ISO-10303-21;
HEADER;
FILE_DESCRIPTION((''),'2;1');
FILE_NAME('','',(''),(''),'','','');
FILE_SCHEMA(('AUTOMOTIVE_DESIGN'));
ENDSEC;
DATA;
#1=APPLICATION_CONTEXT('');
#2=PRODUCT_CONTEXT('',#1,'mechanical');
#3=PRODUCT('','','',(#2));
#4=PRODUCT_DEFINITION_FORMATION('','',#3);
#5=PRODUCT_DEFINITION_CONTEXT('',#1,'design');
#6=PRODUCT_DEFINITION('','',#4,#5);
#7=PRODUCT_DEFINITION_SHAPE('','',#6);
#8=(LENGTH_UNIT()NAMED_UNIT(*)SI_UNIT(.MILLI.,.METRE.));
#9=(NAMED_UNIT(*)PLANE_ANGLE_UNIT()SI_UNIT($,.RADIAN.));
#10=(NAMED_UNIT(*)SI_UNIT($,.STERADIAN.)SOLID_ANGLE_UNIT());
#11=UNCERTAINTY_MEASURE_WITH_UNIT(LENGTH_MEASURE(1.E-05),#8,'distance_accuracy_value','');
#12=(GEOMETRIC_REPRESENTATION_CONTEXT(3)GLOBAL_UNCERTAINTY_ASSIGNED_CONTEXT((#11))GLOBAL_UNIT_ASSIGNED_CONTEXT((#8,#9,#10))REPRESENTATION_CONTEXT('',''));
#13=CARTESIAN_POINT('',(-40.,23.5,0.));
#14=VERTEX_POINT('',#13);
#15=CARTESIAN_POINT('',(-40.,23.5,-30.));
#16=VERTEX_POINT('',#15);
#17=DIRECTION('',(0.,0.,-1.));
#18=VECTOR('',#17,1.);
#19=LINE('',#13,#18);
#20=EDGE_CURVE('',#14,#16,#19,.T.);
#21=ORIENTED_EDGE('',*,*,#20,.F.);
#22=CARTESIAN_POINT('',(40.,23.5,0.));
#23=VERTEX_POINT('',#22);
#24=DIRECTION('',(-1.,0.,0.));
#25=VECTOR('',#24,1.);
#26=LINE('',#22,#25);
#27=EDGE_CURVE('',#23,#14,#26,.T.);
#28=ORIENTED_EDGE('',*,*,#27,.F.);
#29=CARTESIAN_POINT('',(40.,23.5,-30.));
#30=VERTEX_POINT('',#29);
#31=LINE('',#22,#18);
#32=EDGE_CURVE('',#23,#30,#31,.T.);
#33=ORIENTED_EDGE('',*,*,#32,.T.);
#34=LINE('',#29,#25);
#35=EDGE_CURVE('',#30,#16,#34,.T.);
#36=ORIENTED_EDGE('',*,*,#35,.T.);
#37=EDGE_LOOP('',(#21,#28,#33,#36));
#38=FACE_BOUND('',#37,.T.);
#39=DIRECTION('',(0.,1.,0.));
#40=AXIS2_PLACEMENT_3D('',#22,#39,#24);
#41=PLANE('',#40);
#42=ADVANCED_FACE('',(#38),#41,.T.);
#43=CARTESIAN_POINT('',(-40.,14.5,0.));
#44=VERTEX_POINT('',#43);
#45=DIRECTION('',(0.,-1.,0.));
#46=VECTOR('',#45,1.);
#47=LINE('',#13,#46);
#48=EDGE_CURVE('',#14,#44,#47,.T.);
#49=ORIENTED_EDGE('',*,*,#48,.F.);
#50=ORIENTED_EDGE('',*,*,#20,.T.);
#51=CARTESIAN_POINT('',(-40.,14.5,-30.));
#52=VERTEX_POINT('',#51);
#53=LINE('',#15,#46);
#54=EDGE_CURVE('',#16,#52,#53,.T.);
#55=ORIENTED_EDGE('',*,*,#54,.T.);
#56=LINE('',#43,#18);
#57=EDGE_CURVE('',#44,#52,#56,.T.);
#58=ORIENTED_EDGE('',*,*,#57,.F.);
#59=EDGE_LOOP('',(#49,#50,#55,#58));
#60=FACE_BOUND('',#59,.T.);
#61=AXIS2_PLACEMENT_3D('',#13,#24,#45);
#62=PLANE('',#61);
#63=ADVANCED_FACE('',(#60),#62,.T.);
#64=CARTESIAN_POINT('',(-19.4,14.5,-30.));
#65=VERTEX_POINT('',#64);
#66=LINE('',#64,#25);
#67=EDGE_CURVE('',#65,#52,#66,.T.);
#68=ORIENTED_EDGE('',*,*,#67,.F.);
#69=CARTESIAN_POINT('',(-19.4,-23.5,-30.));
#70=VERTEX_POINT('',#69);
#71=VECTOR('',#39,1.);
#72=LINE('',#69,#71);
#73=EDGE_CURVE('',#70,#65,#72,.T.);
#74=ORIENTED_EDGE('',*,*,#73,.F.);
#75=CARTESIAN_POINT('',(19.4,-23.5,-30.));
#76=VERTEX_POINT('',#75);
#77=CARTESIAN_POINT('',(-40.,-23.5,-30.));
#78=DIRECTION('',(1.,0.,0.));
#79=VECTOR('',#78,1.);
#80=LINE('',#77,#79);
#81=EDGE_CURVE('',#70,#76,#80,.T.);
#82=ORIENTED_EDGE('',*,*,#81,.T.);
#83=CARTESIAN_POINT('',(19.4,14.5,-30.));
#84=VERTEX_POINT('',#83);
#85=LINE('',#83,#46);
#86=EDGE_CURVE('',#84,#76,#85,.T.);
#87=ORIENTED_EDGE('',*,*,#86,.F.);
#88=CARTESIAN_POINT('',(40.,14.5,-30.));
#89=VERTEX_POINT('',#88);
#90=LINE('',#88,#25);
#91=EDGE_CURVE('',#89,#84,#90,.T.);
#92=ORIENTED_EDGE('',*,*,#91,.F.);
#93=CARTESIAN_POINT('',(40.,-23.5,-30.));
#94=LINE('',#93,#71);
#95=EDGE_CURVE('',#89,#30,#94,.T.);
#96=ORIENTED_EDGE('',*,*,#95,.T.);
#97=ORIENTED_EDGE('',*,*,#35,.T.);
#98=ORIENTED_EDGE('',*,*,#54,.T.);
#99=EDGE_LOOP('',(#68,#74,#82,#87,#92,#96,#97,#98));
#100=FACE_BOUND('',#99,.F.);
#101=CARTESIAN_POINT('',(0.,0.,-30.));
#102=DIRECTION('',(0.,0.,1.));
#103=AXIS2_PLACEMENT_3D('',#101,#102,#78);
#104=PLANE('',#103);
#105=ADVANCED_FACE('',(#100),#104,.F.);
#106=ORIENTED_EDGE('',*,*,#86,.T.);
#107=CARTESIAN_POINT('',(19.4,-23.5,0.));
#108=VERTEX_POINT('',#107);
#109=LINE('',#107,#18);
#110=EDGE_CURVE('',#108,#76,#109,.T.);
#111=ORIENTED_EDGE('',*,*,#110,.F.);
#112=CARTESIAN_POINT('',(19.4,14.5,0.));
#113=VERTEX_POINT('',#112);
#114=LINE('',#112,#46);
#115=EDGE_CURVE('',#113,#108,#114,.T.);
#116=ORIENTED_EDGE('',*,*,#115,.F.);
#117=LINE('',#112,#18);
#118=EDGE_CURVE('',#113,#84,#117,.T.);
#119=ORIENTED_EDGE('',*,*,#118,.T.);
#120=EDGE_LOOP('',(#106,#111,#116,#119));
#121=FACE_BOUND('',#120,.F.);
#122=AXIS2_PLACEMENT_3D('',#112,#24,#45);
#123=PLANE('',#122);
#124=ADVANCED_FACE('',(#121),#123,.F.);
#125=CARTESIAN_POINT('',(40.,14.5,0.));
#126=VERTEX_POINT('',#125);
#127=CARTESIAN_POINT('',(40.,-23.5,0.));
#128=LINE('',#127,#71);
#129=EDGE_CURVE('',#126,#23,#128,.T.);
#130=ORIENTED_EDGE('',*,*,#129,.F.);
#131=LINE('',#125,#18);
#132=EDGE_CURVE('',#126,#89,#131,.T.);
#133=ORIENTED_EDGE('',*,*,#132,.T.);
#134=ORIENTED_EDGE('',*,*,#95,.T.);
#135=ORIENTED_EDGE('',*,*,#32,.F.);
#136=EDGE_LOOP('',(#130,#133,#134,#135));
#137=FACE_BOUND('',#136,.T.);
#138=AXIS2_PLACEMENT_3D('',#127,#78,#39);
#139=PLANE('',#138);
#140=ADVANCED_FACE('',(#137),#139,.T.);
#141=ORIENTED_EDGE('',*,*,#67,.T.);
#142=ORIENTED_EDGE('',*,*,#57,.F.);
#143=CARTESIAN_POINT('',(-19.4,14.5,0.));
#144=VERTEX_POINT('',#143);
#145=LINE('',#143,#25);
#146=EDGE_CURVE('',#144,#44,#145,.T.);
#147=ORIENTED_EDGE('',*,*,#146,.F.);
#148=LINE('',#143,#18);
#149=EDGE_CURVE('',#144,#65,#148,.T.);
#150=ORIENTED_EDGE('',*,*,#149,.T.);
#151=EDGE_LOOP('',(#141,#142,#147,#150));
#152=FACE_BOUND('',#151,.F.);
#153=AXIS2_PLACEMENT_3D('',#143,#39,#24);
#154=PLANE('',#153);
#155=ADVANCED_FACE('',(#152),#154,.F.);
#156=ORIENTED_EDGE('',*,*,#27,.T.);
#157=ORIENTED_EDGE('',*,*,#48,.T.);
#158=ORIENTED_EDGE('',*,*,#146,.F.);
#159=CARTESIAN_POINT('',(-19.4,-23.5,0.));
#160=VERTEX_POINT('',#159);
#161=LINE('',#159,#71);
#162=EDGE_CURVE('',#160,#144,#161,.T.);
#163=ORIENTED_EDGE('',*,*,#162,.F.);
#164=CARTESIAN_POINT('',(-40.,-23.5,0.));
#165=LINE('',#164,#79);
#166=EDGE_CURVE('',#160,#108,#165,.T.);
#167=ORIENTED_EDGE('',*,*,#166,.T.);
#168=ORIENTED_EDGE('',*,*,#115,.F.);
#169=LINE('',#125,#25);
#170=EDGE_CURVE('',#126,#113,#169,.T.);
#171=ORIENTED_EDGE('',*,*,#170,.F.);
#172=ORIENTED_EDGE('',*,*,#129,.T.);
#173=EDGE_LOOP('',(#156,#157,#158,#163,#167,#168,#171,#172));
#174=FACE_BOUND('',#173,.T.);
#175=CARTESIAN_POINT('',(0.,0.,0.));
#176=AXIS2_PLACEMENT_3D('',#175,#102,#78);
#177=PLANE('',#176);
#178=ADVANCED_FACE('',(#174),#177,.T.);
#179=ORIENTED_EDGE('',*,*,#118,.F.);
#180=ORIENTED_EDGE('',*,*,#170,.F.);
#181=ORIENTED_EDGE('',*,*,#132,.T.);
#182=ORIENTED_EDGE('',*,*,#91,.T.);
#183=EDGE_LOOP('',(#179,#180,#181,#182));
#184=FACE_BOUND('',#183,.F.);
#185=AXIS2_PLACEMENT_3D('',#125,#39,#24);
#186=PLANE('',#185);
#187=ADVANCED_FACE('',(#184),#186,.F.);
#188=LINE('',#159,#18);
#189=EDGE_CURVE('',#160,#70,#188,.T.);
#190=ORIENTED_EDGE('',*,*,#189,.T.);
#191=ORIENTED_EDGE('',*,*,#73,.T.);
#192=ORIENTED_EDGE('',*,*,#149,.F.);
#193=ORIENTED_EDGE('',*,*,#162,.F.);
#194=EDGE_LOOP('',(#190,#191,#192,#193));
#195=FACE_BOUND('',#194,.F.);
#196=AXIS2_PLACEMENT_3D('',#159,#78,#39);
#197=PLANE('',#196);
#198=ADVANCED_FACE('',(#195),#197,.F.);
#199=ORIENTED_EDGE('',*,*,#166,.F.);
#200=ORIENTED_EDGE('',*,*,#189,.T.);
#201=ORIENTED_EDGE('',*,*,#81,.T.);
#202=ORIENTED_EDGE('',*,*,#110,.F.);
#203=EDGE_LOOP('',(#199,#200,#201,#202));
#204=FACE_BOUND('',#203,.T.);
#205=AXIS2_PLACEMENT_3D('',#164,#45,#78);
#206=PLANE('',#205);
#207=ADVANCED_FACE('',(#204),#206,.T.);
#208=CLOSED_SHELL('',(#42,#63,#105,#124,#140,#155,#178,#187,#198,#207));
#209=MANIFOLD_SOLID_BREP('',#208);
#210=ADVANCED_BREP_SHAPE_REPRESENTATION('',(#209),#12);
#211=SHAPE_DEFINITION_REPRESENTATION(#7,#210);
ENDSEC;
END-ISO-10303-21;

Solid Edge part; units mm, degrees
sketch "Sketch1" plane through (0, 0, 0) normal (0, 0, 1) x (1, 0, 0)
  line L0 (-40, -23.5) -> (40, -23.5)
  line L1 (40, -23.5) -> (40, 23.5)
  line L2 (40, 23.5) -> (-40, 23.5)
  line L3 (-40, 23.5) -> (-40, -23.5)
extrude "Protrusion1" add sketch "Sketch1" against normal blind 30
sketch "Sketch2" plane through (0, 0, 0) normal (0, 0, 1) x (1, 0, 0)
  line L0 (-40, -23.5) -> (-19.4, -23.5)
  line L1 (-19.4, -23.5) -> (-19.4, 14.5)
  line L2 (-19.4, 14.5) -> (-40, 14.5)
  line L3 (-40, 14.5) -> (-40, -23.5)
  line L4 (40, 14.5) -> (19.4, 14.5)
  line L5 (19.4, 14.5) -> (19.4, -23.5)
  line L6 (19.4, -23.5) -> (40, -23.5)
  line L7 (40, -23.5) -> (40, 14.5)
extrude "Recorte_Extrudado_3" cut sketch "Sketch2" against normal blind 30
